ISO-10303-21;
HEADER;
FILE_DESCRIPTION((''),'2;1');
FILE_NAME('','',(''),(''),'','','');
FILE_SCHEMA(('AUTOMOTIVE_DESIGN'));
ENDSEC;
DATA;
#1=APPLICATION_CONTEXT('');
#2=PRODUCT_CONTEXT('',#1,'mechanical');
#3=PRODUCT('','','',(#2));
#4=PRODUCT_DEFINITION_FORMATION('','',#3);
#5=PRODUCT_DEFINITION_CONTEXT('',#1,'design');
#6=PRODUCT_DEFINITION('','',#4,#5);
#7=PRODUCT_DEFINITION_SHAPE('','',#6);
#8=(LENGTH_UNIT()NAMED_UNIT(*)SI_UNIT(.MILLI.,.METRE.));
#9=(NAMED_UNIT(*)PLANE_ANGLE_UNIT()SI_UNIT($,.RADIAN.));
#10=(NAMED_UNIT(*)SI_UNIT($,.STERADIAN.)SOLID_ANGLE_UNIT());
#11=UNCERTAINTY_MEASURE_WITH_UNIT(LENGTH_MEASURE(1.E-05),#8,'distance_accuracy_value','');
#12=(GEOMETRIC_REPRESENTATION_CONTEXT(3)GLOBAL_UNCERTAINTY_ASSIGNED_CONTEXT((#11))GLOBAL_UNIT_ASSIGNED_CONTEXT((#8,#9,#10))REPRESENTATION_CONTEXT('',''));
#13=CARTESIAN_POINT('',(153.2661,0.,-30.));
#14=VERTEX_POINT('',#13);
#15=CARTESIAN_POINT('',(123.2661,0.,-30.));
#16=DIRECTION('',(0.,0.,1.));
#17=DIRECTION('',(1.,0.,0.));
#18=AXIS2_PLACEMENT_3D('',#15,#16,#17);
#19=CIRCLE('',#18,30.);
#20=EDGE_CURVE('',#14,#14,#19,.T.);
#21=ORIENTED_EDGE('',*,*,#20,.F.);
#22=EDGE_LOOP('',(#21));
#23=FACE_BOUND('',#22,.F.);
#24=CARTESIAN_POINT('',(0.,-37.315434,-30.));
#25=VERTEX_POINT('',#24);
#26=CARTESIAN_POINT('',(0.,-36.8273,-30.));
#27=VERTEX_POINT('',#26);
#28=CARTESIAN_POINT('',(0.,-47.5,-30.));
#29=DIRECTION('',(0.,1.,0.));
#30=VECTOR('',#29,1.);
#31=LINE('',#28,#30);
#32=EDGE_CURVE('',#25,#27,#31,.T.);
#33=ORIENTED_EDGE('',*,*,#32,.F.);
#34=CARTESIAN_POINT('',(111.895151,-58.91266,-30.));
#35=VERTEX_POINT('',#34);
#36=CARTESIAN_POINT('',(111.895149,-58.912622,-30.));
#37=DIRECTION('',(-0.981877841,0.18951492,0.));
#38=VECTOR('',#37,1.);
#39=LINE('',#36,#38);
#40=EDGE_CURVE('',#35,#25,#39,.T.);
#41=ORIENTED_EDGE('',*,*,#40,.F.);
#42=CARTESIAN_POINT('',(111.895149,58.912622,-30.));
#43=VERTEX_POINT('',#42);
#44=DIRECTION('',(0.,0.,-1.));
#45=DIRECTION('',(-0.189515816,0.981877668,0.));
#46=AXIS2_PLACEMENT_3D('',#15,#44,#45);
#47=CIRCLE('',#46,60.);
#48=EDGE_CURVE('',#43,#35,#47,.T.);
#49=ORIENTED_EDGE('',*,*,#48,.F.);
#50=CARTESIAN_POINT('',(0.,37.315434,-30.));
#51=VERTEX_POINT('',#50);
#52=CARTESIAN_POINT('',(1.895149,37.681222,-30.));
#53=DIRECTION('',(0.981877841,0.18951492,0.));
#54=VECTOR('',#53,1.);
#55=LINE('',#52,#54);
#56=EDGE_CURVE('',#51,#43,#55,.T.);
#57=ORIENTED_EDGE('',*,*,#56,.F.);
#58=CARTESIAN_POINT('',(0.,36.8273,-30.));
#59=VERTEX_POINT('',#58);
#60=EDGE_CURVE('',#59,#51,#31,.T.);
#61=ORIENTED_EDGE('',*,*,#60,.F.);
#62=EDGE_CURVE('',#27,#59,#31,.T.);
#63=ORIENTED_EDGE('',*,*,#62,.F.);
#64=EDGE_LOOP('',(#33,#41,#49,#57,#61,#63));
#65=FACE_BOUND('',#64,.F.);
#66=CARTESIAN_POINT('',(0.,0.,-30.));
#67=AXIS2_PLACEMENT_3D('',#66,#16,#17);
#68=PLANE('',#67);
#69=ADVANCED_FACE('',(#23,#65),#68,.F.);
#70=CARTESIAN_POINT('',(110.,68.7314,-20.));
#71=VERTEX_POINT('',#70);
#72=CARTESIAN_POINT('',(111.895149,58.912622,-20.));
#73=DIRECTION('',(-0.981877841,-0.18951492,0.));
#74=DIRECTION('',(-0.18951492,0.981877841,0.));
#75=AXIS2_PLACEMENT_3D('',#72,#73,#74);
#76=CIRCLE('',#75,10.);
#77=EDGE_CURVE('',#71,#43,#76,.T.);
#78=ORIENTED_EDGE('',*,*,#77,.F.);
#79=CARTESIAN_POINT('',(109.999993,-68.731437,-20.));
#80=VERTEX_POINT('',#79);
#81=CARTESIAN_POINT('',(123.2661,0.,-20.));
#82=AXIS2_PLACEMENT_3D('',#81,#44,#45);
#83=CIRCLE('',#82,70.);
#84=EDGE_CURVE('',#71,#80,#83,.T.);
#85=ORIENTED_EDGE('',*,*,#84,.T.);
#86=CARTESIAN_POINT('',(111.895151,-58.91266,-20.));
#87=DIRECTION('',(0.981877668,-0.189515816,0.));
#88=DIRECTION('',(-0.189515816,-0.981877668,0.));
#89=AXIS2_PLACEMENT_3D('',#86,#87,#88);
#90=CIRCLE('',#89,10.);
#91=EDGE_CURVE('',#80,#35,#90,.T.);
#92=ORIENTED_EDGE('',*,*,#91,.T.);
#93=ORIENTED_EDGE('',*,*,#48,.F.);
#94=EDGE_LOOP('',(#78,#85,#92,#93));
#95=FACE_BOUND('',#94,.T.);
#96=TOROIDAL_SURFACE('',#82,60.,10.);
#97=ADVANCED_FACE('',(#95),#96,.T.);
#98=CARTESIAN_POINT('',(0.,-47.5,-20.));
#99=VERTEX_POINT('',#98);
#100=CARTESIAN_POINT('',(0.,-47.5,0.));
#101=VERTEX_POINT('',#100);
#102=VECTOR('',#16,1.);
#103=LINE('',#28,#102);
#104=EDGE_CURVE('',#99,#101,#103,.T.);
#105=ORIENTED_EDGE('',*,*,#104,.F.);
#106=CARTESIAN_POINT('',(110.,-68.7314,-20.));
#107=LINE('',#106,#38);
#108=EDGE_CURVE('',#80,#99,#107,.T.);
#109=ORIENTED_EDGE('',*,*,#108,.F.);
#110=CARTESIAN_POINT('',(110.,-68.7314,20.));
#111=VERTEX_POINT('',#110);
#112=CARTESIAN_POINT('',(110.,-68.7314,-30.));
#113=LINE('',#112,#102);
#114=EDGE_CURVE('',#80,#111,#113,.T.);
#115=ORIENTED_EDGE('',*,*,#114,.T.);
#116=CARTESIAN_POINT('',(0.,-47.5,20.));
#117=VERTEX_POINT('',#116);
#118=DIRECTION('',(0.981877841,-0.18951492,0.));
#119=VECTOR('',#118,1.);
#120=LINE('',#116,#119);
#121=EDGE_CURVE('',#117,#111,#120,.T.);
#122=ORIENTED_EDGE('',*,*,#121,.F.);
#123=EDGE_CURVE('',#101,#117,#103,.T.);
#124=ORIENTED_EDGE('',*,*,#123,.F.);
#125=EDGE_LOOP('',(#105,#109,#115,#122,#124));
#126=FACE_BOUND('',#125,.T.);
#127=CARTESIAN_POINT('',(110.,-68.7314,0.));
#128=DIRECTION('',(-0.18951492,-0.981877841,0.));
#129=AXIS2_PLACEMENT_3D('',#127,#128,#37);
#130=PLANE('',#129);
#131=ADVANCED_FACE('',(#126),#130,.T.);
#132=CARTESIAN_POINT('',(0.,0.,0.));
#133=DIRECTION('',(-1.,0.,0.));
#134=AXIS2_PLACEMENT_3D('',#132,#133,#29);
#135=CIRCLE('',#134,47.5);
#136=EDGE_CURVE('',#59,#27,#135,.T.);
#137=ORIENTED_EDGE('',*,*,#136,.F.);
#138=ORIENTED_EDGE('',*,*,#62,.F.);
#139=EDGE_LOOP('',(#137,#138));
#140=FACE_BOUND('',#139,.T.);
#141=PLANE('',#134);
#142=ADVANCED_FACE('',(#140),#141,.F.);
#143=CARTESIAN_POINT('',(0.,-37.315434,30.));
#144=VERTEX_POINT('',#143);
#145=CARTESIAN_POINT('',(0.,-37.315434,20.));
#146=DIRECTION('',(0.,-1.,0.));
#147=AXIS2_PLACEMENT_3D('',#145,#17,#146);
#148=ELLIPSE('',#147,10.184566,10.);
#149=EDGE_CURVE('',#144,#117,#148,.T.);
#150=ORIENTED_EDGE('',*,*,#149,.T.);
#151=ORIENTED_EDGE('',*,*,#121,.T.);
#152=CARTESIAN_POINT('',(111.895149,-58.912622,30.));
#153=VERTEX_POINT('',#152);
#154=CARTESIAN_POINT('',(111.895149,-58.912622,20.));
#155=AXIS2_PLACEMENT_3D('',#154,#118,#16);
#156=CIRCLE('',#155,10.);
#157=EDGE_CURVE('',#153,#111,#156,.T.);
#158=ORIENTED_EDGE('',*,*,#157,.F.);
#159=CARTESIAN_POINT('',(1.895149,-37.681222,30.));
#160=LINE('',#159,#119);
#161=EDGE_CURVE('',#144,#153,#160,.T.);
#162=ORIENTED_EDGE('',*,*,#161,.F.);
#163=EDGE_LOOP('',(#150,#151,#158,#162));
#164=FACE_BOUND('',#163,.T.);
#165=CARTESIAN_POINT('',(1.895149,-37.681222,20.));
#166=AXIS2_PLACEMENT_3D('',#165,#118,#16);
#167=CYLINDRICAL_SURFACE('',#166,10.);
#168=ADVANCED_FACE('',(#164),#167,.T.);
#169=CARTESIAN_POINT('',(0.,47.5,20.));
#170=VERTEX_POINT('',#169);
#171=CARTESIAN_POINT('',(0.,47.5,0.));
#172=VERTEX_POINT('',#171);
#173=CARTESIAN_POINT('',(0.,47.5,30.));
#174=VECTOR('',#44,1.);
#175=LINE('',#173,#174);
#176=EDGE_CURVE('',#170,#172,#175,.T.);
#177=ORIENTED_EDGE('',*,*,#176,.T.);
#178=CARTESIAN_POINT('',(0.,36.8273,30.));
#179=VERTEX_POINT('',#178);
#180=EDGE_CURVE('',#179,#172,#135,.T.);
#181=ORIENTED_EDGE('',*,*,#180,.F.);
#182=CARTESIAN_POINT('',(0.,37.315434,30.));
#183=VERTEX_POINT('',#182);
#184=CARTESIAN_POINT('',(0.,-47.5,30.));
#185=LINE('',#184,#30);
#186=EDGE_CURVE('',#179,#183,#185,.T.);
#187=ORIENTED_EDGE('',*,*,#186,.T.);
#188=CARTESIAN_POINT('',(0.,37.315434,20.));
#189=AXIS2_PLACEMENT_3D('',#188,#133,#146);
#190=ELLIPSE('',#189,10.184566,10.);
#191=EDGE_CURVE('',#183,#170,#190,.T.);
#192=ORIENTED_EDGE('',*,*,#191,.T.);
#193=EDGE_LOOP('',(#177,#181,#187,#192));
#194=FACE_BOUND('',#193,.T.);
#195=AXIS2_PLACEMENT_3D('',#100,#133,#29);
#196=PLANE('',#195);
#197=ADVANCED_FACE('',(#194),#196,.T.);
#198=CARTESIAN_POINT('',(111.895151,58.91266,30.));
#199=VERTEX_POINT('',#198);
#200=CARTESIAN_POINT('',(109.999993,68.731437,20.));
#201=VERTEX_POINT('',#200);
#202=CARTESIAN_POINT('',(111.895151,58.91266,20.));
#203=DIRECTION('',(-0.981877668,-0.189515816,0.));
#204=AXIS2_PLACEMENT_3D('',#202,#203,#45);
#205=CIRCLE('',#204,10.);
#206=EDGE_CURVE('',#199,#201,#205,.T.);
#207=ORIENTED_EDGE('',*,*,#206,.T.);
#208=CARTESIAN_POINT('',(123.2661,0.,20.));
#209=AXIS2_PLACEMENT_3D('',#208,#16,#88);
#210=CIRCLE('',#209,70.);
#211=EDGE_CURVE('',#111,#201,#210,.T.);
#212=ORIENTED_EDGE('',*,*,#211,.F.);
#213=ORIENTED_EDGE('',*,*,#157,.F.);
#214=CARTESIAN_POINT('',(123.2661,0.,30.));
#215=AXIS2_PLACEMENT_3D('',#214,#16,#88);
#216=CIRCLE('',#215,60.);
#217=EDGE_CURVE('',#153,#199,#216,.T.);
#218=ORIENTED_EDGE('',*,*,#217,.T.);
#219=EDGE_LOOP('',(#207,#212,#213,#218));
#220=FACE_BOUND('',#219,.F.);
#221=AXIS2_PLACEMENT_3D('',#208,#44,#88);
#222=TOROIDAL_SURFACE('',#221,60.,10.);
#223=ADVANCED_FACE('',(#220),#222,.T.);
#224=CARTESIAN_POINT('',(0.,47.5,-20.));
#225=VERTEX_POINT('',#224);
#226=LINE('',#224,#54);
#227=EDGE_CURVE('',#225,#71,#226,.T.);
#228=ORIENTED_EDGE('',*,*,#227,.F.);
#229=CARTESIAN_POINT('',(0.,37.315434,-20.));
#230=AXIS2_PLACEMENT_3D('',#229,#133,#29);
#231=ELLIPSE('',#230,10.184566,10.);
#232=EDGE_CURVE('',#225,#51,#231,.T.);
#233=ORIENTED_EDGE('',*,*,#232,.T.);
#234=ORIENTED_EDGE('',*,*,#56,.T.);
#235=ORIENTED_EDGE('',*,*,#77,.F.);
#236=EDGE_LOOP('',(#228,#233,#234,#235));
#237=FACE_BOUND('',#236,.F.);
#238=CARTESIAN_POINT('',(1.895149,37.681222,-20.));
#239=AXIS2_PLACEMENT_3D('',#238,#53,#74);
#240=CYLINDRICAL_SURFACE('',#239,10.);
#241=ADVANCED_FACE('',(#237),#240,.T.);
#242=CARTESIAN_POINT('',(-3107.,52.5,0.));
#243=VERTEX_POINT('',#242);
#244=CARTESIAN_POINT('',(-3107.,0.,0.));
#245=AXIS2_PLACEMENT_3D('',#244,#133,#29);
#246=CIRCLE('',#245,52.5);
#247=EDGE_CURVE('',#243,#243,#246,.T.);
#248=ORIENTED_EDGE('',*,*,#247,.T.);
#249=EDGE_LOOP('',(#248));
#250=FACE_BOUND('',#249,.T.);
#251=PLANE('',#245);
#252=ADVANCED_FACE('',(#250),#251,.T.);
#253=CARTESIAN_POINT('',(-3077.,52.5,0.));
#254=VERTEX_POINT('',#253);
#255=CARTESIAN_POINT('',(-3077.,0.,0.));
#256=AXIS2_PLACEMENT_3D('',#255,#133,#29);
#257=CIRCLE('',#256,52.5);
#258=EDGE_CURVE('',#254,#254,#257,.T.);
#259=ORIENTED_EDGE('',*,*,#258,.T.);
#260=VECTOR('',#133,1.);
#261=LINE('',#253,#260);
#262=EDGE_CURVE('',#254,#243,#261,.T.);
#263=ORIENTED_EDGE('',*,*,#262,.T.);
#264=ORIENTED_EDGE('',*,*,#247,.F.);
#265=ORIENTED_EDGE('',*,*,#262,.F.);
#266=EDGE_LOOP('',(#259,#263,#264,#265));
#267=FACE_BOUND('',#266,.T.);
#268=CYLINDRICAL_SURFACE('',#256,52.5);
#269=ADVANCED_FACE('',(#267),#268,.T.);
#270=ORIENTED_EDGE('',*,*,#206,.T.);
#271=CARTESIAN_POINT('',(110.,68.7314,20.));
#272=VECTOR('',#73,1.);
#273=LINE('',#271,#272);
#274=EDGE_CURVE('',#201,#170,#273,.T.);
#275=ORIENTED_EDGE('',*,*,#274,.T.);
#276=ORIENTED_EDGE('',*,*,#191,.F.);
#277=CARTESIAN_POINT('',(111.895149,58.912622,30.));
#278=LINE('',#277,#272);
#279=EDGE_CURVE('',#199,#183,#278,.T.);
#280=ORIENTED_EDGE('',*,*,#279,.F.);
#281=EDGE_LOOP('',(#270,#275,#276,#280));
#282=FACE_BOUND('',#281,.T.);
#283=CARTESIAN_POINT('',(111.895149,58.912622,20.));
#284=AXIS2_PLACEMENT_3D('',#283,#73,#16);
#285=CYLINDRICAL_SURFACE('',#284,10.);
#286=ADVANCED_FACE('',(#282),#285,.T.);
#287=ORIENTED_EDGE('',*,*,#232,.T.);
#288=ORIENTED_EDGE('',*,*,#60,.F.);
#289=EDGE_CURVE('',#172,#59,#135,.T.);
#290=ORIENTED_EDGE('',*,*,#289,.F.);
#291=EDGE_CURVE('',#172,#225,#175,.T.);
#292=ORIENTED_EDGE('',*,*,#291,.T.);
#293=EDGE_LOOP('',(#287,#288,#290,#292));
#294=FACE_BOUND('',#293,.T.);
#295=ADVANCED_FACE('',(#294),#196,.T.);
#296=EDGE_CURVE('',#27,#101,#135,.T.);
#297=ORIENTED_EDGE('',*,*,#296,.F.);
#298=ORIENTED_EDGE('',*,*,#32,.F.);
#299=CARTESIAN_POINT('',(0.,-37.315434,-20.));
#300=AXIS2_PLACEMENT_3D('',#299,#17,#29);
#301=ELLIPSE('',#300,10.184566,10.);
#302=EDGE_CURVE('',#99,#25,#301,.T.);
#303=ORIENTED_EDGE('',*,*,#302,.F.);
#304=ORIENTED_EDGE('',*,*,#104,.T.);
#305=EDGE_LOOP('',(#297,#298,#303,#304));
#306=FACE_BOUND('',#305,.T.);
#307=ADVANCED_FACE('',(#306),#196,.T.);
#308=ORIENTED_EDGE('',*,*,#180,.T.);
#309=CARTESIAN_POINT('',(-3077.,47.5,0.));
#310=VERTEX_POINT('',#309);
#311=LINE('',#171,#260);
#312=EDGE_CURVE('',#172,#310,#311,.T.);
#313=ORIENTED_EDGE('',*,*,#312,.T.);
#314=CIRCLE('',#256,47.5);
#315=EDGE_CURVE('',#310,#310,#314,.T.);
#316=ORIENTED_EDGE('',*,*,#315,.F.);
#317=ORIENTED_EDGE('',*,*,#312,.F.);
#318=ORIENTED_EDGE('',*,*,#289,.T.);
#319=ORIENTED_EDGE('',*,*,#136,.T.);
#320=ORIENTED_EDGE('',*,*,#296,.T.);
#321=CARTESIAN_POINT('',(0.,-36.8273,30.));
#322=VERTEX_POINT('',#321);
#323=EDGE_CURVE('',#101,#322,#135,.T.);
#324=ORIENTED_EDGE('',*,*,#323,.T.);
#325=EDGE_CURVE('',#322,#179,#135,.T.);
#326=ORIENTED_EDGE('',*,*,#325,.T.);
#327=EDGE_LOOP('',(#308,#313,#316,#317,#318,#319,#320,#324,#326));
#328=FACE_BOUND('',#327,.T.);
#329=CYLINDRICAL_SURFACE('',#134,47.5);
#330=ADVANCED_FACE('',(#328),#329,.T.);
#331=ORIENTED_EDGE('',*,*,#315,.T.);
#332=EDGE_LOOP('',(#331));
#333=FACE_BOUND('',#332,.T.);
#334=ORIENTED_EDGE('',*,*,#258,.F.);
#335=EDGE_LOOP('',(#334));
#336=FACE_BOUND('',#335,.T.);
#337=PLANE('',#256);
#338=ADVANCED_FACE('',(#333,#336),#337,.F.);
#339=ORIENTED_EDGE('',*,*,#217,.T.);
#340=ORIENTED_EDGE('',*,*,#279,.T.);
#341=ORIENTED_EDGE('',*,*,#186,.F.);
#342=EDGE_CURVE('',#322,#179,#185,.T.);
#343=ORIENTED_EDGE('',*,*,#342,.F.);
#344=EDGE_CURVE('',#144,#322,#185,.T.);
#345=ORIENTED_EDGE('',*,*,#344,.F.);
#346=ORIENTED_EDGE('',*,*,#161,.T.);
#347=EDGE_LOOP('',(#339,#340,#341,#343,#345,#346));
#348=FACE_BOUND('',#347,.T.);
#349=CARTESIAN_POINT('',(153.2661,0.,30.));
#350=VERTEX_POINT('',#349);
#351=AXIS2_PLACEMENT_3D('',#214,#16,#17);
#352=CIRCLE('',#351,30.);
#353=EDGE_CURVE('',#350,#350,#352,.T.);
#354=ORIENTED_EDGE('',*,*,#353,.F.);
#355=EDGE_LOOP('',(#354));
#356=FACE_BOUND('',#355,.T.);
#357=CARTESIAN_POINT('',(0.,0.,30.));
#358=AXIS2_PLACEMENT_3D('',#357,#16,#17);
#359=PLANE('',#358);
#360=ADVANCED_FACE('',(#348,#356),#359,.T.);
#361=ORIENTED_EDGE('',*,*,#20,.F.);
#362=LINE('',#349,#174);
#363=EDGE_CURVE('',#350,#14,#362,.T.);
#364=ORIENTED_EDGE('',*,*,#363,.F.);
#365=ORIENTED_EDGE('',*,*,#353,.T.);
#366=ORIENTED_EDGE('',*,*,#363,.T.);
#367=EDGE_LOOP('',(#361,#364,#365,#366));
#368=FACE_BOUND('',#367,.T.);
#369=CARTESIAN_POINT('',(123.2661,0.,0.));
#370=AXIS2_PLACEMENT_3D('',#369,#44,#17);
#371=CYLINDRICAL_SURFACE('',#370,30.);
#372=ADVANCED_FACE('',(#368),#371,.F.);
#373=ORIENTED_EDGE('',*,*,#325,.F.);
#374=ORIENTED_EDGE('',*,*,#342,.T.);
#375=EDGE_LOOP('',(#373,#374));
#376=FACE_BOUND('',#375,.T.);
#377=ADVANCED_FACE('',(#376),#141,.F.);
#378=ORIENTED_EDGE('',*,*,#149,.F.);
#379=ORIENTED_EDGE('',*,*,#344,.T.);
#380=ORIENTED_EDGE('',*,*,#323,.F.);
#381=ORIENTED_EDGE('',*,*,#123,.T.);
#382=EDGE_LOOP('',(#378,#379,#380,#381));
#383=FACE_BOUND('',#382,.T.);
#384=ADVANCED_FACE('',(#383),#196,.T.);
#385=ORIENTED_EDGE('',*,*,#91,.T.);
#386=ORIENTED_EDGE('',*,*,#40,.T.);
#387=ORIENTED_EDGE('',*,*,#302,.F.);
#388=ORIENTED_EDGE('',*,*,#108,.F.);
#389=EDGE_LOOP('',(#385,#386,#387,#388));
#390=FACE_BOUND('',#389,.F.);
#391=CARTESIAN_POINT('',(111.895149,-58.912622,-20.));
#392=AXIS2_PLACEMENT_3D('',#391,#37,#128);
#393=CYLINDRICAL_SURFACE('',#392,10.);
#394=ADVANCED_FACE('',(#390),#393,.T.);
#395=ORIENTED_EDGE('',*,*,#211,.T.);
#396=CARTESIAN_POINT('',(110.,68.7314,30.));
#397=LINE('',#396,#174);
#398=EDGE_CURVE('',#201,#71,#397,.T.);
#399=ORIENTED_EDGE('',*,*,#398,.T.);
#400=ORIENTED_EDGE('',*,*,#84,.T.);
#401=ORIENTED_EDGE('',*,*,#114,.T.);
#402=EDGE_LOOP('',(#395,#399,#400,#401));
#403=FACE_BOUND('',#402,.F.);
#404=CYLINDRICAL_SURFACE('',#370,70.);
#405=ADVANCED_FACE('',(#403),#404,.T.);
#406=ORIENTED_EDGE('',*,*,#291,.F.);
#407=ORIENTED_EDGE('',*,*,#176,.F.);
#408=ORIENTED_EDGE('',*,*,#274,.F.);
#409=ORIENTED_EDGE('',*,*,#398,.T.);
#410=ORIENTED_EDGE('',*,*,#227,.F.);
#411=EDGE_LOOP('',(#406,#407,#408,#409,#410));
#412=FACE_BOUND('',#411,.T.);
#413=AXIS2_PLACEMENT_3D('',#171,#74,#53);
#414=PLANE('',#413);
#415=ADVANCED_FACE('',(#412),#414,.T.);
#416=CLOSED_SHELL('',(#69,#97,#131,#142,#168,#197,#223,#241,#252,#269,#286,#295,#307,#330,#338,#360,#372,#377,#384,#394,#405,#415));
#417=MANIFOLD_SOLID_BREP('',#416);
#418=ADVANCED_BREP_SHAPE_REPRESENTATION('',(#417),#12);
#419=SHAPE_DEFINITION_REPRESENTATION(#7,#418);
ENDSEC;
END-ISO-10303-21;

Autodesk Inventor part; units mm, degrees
ref_plane "YZ Plane" through (0, 0, 0) normal (1, 0, 0) x (0, 1, 0)
ref_plane "XZ Plane" through (0, 0, 0) normal (0, 1, 0) x (-1, 0, 0)
ref_plane "XY Plane" through (0, 0, 0) normal (0, 0, 1) x (1, 0, 0)
sketch "Эскиз1" plane through (0, 0, 0) normal (0, 0, 1) x (1, 0, 0)
  line L0 (0, 0) -> (-3498.9825, 0)
  line L1 (0, 0) -> (0, 72.2666) construction
  line L2 (0, 47.5) -> (-3077, 47.5)
  line L3 (-3077, 47.5) -> (-3077, 52.5)
  line L4 (-3077, 52.5) -> (-3107, 52.5)
  line L5 (-3107, 52.5) -> (-3107, 0)
  line L6 (0, 0) -> (0, 47.5)
  point P0 (-3107, 0)
  dimension "d1" = 105
  dimension "d2" = 95
  dimension "d3" = 30
  dimension "d4" = 3107
revolve "Вращение1" add sketch "Эскиз1" angle 360 about axis through (0, 0, 0) along (-1, 0, 0)
sketch "Эскиз2" plane through (0, 0, 0) normal (0, 0, 1) x (1, 0, 0)
  line L0 (-3077, -47.5) -> (-3077, 47.5) projected
  line L1 (0, -47.5) -> (0, 47.5) projected
  circle A0 centre (123.2661, 0) radius 30
  circle A1 centre (123.2661, 0) radius 70
  line L2 (110, -68.7314) -> (0, -47.5)
  line L3 (0, -47.5) -> (0, 47.5) projected
  line L4 (0, 47.5) -> (110, 68.7314)
  point P0 (0, 0)
  point P1 (0, 0)
  dimension "d6" = 60
  dimension "d7" = 140
  dimension "d8" = 110
extrude "Выдавливание1" add sketch "Эскиз2" along normal mid plane 60
fillet "Сопряжение1" radius 10 6 edges at (193.2661, 0, 30) (55, -58.1157, 30) (55, 58.1157, 30) (55, -58.1157, -30) (55, 58.1157, -30) (193.2661, 0, -30)
properties part number "Lift.02.00.00.05" material "Сталь нержавеющая, 440C"
